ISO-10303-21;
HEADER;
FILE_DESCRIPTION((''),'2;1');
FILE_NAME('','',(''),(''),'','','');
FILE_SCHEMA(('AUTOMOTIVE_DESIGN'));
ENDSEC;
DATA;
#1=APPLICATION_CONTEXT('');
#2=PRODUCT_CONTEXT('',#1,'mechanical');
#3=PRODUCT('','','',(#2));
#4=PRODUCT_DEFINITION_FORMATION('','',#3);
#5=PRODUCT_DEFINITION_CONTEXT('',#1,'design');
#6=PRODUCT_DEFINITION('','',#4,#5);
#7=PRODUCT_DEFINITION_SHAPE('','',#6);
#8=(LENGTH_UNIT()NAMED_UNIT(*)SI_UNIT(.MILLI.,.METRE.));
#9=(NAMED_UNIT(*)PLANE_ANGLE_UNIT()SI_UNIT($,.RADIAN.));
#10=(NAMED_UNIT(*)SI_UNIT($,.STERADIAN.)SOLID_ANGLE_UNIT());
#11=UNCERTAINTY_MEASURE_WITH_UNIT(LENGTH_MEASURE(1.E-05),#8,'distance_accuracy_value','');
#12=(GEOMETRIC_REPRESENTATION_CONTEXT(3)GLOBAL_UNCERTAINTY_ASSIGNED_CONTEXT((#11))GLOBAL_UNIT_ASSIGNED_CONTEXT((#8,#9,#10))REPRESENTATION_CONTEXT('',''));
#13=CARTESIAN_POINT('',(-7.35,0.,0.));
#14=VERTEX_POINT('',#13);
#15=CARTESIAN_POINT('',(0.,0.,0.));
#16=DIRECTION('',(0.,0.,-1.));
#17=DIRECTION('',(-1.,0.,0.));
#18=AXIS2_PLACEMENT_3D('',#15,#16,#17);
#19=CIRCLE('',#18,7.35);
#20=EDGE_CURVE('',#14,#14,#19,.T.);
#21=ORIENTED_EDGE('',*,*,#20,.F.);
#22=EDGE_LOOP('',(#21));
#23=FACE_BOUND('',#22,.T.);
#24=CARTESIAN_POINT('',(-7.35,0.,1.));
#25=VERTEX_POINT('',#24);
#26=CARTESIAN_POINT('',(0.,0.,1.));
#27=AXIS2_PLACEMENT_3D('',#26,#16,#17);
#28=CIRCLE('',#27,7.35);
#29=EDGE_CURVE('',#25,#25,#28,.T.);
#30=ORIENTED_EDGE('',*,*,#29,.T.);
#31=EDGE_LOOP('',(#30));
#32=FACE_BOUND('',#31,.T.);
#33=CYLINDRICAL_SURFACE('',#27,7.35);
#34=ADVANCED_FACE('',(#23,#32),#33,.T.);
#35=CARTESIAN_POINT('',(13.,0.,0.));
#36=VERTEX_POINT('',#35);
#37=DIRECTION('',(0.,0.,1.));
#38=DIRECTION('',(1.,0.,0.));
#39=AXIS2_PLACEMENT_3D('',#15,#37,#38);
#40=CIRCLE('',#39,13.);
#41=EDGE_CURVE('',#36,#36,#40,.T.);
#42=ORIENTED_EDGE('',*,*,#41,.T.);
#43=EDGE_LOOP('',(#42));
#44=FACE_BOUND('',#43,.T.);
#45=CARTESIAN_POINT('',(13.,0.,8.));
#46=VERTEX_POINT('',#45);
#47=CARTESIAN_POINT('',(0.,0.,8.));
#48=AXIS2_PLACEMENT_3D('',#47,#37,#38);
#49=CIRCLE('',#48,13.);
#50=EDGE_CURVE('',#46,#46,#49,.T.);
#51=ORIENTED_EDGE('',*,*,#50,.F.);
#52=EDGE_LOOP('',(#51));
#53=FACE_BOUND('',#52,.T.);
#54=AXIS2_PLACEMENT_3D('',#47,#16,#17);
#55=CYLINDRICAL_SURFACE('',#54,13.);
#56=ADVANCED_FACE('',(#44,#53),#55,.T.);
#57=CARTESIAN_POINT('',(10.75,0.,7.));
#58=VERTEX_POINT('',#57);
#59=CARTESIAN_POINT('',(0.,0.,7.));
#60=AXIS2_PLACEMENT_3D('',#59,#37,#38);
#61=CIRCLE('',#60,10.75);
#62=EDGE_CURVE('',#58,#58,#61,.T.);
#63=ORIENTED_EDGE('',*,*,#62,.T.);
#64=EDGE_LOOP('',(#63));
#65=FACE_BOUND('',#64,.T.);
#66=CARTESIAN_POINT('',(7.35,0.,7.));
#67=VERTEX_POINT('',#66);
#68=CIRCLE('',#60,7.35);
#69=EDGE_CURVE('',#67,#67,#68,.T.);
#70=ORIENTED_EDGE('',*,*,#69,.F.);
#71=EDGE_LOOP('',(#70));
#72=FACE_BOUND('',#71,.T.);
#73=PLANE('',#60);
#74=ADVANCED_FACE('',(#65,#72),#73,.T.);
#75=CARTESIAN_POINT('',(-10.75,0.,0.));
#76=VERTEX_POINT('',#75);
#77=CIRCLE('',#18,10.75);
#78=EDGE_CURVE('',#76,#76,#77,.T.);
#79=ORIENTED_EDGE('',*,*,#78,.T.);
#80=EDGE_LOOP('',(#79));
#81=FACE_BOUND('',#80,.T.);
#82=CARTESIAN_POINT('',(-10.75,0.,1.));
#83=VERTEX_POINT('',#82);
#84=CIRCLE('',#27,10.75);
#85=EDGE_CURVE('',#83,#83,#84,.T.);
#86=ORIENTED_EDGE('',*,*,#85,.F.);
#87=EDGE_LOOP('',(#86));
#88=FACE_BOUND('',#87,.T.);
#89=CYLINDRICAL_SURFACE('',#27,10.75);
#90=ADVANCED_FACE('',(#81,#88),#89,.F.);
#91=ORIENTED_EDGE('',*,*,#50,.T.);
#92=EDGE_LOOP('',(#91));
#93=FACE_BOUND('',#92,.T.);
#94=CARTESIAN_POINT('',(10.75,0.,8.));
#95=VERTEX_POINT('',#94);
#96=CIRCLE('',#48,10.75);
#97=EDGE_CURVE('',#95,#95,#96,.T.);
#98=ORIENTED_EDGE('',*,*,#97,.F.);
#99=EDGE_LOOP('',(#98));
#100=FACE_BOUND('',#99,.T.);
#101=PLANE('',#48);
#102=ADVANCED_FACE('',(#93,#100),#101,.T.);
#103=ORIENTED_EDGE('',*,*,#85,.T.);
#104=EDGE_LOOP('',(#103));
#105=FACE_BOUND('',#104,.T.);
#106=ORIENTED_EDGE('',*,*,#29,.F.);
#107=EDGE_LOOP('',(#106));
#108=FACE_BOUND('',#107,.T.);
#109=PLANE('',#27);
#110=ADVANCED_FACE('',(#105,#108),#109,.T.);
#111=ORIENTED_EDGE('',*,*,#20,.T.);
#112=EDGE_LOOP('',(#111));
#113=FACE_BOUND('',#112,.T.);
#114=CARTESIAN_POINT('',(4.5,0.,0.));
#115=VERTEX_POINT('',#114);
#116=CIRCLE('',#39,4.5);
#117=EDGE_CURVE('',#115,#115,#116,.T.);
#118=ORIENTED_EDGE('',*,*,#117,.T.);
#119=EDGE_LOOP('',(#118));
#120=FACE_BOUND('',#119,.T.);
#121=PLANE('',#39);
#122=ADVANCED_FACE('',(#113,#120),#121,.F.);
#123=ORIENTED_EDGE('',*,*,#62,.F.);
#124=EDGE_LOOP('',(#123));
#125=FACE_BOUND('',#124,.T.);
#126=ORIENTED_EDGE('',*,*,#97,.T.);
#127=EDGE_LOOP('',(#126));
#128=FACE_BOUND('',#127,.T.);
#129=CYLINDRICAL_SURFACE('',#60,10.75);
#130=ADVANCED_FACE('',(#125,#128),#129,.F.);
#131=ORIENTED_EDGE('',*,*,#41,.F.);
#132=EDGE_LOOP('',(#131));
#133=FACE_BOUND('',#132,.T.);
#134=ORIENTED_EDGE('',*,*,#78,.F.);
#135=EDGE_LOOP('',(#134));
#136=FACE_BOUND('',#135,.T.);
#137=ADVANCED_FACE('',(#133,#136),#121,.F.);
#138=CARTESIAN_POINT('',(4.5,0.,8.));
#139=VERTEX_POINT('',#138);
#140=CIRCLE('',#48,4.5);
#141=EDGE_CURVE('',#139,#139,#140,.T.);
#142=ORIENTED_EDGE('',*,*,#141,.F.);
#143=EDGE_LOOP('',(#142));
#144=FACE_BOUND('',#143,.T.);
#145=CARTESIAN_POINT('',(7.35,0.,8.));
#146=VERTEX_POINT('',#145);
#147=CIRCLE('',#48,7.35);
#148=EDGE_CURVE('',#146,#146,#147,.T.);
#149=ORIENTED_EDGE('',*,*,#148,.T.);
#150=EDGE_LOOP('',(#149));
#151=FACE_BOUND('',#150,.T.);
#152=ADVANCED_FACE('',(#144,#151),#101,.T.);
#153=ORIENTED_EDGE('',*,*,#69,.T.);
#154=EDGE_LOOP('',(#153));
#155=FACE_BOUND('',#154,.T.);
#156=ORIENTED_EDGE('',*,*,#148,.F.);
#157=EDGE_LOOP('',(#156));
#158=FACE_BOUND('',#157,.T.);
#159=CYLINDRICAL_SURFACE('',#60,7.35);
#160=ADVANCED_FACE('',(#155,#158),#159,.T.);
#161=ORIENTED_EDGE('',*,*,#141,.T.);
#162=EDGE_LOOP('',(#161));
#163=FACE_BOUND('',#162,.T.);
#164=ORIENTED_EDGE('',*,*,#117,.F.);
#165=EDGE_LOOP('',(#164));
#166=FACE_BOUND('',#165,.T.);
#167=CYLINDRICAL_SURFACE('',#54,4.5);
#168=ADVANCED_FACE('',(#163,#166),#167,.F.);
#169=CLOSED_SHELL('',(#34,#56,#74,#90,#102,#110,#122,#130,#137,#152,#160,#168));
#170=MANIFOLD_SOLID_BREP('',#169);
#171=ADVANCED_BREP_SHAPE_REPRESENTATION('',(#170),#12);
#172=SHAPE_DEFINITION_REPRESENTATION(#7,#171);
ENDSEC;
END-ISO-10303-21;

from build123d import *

# Parameters (mm, degrees)
SKETCH_1_R          = 13
SKETCH_1_R_2        = 4.5
EXTRUDE_1_DEPTH     = 8
SKETCH_2_R          = 10.75
SKETCH_2_R_2        = 7.35
CUT_EXTRUDE_1_DEPTH = 1
CUT_EXTRUDE_START   = -1
SKETCH_3_R          = 10.75
SKETCH_3_R_2        = 7.35
CUT_EXTRUDE_2_DEPTH = 1


with BuildPart() as part:
    # Эскиз1 → Бобышка-Вытянуть1 (new body)
    with BuildSketch(Plane.XY):
        Circle(SKETCH_1_R)
        Circle(SKETCH_1_R_2, mode=Mode.SUBTRACT)
    extrude(amount=EXTRUDE_1_DEPTH)

    # Эскиз2 → Вырез-Вытянуть1 (cut)
    with BuildSketch(Plane.XY.offset(8)):
        Circle(SKETCH_2_R)
        Circle(SKETCH_2_R_2, mode=Mode.SUBTRACT)
    extrude(amount=-CUT_EXTRUDE_1_DEPTH, mode=Mode.SUBTRACT)

    # Эскиз3 → Вырез-Вытянуть2 (cut)
    with BuildSketch(Plane(origin=(0, 0, 0), x_dir=(-1, 0, 0), z_dir=(0, 0, -1)).offset(CUT_EXTRUDE_START)):
        with Locations(Location((0, 0, 0), (0, 0, 180))):
            Circle(SKETCH_3_R)
        with Locations(Location((0, 0, 0), (0, 0, 180))):
            Circle(SKETCH_3_R_2, mode=Mode.SUBTRACT)
    extrude(amount=CUT_EXTRUDE_2_DEPTH, mode=Mode.SUBTRACT)


solid = part.part
